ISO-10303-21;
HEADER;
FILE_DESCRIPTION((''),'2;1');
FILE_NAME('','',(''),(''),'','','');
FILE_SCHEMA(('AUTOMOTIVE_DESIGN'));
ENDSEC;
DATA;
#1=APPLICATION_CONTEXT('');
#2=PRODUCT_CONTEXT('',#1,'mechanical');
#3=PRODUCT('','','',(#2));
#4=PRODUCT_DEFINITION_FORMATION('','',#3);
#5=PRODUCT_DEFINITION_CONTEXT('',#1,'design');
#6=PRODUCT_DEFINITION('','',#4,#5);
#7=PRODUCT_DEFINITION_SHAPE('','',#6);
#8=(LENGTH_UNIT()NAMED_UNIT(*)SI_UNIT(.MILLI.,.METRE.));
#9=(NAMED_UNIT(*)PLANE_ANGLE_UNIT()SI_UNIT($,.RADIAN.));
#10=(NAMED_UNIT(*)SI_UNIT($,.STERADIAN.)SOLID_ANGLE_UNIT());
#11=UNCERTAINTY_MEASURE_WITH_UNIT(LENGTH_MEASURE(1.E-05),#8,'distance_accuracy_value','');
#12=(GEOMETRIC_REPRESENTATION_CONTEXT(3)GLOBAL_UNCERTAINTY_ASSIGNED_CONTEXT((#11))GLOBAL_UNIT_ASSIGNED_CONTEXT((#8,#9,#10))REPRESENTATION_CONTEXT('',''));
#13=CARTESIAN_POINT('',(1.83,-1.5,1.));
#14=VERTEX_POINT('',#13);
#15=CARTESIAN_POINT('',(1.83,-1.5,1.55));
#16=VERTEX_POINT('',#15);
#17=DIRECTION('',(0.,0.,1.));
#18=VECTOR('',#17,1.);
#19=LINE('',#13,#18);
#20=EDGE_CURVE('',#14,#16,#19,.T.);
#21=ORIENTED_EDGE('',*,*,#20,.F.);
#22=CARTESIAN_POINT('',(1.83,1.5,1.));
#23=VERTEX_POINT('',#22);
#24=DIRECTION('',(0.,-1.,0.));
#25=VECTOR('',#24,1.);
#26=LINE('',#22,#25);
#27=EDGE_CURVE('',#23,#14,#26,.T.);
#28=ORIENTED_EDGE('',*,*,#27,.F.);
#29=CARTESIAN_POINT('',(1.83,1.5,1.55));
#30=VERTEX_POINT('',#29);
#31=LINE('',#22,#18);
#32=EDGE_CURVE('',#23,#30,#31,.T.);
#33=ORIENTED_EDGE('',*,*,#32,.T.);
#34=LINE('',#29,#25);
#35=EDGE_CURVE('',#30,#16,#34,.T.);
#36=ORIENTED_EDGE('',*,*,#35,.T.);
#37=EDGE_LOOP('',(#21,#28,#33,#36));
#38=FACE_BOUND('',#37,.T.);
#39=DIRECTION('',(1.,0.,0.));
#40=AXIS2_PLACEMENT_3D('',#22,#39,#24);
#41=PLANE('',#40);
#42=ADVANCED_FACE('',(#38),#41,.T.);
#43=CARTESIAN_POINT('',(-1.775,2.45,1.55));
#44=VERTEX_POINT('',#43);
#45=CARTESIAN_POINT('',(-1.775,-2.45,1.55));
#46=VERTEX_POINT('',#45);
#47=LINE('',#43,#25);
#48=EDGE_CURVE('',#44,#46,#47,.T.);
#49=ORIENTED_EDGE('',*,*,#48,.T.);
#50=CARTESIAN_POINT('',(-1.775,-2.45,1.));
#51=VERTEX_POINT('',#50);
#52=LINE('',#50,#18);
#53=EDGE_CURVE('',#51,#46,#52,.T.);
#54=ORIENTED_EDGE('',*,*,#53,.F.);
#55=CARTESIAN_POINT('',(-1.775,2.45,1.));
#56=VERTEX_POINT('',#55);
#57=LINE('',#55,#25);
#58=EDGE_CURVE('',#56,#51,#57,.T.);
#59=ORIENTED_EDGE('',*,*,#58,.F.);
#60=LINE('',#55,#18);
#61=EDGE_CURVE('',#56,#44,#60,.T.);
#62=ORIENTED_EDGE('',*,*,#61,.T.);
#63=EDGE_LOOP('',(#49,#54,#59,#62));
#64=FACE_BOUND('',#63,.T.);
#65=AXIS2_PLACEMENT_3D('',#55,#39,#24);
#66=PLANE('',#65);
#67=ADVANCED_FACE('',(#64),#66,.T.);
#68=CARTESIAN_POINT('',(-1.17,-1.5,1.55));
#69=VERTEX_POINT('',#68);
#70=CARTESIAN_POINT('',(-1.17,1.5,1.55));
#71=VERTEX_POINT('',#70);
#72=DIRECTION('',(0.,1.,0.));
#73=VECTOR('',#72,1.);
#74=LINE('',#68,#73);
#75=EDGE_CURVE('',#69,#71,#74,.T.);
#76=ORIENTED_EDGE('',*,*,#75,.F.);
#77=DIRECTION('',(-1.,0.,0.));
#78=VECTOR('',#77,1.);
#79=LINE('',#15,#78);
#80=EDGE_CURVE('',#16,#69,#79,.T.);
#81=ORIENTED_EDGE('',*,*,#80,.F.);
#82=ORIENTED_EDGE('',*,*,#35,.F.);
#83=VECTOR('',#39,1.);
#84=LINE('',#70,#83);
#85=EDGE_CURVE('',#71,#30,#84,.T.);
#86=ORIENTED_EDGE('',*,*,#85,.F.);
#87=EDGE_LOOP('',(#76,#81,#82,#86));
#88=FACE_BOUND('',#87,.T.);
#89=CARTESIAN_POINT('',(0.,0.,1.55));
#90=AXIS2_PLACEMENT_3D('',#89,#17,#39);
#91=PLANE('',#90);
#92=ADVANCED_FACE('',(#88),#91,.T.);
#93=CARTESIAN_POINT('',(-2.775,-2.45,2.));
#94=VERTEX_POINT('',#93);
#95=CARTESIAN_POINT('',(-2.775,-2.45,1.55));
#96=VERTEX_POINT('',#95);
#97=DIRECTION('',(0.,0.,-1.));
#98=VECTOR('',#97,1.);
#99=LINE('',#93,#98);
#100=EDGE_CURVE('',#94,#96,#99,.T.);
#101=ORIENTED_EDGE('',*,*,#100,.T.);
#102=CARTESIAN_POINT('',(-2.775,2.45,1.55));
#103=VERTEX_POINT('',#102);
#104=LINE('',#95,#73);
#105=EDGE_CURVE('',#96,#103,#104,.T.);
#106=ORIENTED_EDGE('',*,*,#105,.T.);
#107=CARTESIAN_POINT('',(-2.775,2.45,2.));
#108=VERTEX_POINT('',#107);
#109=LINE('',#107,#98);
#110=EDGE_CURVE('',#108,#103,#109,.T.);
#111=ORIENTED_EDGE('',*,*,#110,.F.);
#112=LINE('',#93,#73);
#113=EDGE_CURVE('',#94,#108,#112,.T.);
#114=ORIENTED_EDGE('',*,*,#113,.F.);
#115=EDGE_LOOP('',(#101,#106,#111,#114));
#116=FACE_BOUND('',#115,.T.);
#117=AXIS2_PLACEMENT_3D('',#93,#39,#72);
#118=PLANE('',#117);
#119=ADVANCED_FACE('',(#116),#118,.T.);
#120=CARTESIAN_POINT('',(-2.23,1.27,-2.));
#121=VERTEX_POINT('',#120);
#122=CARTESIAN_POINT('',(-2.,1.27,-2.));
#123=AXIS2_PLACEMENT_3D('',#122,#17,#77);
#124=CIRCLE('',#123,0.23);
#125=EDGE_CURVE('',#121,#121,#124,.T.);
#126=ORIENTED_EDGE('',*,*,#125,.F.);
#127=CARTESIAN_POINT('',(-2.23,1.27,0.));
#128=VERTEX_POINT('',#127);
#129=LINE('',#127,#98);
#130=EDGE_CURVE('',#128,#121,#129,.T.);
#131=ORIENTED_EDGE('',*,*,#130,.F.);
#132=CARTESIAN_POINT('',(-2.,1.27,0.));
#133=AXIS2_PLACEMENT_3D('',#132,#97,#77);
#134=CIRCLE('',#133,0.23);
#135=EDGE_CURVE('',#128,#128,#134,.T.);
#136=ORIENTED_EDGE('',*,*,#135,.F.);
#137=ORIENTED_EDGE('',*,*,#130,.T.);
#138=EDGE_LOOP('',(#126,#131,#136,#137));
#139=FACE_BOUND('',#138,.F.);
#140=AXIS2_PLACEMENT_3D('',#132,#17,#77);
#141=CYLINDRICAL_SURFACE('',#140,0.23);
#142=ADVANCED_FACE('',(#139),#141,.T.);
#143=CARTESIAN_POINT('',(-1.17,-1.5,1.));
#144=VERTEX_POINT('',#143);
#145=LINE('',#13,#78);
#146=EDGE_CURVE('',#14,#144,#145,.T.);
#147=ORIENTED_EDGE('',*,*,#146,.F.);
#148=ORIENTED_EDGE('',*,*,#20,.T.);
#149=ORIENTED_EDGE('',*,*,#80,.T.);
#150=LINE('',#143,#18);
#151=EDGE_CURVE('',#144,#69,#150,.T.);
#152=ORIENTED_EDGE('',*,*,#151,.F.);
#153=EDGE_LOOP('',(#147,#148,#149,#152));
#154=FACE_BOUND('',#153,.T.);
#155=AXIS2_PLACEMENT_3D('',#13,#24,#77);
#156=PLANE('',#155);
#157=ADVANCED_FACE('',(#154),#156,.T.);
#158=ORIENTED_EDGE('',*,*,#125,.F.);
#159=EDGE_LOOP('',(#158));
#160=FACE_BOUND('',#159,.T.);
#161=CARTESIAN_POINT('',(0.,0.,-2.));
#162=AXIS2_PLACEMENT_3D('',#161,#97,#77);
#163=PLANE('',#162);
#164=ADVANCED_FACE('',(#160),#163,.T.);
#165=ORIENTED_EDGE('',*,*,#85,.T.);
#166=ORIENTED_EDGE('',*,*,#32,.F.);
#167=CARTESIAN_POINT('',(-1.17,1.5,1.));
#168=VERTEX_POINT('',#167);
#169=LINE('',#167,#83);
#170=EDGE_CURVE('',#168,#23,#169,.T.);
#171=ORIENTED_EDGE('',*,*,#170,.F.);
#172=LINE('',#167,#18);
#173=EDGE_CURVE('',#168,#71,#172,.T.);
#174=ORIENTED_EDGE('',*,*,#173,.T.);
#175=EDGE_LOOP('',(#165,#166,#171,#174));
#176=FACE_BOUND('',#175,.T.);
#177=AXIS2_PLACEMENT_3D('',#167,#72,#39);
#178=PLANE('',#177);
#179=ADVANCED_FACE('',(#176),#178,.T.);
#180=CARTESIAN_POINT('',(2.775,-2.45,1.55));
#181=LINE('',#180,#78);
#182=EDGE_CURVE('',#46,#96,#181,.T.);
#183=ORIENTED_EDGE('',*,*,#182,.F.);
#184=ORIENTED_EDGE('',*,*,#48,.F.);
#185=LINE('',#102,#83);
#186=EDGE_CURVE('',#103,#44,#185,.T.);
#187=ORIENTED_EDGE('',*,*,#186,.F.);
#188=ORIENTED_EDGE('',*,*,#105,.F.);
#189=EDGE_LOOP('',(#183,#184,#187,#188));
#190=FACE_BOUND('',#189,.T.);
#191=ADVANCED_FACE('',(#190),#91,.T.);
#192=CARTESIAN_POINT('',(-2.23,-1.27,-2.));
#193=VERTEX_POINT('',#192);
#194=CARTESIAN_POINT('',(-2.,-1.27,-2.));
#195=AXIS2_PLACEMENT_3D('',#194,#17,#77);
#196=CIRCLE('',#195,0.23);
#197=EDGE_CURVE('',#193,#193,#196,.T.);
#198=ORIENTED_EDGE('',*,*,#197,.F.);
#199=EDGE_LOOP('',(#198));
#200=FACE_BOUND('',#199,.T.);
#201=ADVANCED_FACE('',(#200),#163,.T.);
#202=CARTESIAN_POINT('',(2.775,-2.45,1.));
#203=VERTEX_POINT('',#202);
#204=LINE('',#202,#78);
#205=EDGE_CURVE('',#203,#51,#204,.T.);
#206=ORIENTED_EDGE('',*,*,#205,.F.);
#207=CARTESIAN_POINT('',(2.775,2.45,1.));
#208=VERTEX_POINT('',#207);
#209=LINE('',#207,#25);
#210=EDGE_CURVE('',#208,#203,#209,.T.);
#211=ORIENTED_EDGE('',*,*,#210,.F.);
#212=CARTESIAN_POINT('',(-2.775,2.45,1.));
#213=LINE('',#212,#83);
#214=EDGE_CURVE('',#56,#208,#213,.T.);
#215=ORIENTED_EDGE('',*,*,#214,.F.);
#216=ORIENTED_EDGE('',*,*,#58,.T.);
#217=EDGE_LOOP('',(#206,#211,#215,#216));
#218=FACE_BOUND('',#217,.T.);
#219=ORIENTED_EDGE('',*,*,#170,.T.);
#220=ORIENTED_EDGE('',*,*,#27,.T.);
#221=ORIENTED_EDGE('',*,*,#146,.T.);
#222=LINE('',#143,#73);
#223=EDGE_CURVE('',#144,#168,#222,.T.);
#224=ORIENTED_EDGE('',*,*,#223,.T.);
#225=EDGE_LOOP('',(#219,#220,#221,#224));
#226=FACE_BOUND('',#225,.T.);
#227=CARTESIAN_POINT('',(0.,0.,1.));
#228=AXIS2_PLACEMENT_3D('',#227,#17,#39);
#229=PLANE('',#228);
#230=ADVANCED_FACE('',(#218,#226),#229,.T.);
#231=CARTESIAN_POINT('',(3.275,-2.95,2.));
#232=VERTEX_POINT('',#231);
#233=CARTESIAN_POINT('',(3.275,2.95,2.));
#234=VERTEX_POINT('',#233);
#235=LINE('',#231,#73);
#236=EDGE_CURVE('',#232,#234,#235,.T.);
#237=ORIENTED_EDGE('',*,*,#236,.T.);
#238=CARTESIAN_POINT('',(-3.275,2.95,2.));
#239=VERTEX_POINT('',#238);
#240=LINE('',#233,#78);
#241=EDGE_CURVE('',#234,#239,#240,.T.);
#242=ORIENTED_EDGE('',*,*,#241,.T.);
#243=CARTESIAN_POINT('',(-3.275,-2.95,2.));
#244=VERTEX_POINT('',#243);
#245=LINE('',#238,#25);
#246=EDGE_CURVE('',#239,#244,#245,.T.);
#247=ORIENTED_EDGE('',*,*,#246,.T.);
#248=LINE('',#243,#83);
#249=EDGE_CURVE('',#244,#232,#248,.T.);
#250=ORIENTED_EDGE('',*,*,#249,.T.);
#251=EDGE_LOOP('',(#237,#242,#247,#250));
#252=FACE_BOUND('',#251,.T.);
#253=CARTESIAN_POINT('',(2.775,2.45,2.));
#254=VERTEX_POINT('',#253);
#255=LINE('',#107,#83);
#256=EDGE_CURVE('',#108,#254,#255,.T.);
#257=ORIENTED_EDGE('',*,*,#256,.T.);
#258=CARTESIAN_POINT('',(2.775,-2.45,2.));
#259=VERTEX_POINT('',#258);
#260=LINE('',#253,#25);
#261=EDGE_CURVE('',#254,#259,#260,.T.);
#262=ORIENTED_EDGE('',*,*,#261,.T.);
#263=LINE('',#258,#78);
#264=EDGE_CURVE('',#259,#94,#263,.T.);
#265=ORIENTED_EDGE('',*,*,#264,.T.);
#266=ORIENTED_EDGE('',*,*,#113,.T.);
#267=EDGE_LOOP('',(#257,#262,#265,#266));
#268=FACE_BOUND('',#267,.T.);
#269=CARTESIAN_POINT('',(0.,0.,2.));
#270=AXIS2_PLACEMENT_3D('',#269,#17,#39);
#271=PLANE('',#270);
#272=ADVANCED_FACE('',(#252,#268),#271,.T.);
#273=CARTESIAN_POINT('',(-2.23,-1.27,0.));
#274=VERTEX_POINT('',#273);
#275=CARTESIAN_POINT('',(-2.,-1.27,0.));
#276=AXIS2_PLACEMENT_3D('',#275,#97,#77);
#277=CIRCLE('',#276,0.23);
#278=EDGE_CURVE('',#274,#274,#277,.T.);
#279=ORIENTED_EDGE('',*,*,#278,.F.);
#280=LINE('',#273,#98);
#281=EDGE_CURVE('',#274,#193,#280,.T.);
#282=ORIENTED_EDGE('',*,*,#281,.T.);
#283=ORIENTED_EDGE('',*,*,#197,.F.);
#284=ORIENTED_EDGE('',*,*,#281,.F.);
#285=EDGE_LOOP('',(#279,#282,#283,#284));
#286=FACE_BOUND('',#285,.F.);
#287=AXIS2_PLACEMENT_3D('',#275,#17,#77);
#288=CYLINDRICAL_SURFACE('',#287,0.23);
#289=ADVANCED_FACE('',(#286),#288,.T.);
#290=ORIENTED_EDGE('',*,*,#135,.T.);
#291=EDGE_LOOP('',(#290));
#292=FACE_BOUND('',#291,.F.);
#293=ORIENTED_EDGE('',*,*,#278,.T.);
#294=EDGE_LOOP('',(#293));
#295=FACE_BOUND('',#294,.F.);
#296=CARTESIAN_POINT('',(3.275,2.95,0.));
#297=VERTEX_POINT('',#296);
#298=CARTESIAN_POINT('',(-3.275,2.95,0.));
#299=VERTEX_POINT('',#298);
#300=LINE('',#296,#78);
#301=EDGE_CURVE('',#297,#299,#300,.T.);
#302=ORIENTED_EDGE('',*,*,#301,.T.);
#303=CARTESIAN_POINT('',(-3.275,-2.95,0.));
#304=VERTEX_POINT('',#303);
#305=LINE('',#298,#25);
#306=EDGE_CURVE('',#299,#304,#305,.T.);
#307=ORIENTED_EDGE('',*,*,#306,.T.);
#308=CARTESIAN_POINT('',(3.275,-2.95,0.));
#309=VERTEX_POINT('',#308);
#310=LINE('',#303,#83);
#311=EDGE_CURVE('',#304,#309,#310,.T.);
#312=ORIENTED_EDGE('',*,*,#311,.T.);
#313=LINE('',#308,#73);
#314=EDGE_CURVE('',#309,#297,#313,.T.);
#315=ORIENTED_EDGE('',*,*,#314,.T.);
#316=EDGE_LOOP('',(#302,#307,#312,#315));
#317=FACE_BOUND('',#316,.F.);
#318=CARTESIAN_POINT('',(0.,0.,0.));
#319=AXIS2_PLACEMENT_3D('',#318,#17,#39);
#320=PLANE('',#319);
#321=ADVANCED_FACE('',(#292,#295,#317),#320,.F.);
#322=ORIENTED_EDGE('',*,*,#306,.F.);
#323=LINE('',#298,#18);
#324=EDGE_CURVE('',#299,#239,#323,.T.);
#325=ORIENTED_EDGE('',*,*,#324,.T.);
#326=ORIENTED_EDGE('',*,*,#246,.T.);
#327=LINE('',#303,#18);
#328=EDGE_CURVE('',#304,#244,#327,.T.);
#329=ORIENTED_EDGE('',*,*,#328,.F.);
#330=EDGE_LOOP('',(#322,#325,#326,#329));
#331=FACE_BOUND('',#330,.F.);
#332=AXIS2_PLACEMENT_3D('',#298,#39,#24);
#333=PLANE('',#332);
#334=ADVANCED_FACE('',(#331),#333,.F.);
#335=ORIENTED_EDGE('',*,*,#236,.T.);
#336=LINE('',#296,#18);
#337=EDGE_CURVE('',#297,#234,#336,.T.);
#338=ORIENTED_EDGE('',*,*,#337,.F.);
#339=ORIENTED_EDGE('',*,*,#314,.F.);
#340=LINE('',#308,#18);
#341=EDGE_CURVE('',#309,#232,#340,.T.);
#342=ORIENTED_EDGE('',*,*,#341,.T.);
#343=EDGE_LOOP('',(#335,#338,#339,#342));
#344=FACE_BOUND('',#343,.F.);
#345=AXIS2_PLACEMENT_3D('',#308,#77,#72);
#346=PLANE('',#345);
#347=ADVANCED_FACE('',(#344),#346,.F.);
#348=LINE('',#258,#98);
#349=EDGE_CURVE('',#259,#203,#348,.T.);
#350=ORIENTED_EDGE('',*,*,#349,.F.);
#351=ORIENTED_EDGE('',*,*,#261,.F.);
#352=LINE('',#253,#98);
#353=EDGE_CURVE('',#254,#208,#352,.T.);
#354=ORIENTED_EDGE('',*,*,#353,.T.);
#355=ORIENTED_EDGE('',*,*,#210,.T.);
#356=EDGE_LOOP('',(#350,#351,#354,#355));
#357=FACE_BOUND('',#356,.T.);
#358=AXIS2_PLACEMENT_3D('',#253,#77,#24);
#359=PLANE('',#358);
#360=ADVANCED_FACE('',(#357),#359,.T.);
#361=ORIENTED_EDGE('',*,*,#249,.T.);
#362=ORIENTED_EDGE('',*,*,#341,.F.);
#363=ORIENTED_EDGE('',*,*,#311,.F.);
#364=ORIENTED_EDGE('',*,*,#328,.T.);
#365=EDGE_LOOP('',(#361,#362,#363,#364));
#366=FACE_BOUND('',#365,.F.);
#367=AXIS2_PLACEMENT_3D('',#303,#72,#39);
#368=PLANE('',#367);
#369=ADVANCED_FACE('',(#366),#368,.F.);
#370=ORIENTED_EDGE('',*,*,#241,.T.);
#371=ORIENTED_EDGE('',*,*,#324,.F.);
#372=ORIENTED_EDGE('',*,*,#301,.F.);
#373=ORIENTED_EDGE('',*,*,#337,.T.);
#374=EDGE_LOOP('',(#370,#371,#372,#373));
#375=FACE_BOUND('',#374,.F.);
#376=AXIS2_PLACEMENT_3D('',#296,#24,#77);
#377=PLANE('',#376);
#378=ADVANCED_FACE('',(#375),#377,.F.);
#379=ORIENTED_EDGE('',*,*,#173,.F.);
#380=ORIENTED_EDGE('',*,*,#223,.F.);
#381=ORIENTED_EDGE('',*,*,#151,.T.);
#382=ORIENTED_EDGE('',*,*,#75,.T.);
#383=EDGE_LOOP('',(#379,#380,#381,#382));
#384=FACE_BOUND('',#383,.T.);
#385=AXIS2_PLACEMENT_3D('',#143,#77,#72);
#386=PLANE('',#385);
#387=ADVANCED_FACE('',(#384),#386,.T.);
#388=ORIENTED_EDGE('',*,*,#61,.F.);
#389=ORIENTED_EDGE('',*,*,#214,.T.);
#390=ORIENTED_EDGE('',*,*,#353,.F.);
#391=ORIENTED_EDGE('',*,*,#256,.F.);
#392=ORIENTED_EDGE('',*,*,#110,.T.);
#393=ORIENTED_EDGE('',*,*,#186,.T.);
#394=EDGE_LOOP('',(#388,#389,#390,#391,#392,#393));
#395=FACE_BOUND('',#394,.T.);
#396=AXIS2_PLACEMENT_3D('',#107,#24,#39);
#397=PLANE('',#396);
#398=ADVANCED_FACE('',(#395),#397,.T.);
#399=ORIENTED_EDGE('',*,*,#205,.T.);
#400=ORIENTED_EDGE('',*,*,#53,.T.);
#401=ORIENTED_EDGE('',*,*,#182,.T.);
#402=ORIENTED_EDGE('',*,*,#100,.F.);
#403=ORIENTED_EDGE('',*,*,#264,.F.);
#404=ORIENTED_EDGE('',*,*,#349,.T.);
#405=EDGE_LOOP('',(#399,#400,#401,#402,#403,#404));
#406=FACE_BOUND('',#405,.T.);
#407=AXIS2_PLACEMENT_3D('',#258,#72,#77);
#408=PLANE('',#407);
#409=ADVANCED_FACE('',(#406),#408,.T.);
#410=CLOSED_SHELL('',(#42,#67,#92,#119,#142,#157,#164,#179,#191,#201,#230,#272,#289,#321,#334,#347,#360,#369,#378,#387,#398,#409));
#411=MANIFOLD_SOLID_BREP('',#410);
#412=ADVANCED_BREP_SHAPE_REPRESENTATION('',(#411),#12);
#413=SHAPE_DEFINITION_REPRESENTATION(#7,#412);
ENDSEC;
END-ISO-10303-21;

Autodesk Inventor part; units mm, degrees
ref_plane "YZ Plane" through (0, 0, 0) normal (1, 0, 0) x (0, 1, 0)
ref_plane "XZ Plane" through (0, 0, 0) normal (0, 1, 0) x (-1, 0, 0)
ref_plane "XY Plane" through (0, 0, 0) normal (0, 0, 1) x (1, 0, 0)
sketch "Sketch1" plane through (0, 0, 0) normal (0, 0, 1) x (1, 0, 0)
  line L0 (-3.275, -2.95) -> (3.275, -2.95)
  line L1 (3.275, -2.95) -> (3.275, 2.95)
  line L2 (3.275, 2.95) -> (-3.275, 2.95)
  line L3 (-3.275, 2.95) -> (-3.275, -2.95)
  line L4 (-3.275, -2.95) -> (3.275, 2.95) construction
  line L5 (3.275, -2.95) -> (-3.275, 2.95) construction
  point P0 (0, 0)
  dimension "d0" = 6.55
  dimension "d1" = 5.9
extrude "Extrusion1" add sketch "Sketch1" along normal blind 2
sketch "Sketch2" plane through (0, 0, 2) normal (0, 0, 1) x (1, 0, 0)
  line L0 (-3.275, -2.95) -> (3.275, -2.95) projected
  line L1 (3.275, -2.95) -> (3.275, 2.95) projected
  line L2 (3.275, 2.95) -> (-3.275, 2.95) projected
  line L3 (-3.275, 2.95) -> (-3.275, -2.95) projected
  line L4 (-2.775, 2.45) -> (2.775, 2.45)
  line L5 (2.775, 2.45) -> (2.775, -2.45)
  line L6 (2.775, -2.45) -> (-2.775, -2.45)
  line L7 (-2.775, -2.45) -> (-2.775, 2.45)
  point P0 (0, 0)
  dimension "d4" = 0.5
extrude "Extrusion2" cut sketch "Sketch2" against normal blind 1 contours L4 L5 L6 L7
sketch "Sketch3" plane through (0, 0, 1) normal (0, 0, 1) x (1, 0, 0)
  line L0 (-2.775, 2.45) -> (2.775, 2.45) projected
  line L1 (-2.775, -2.45) -> (-2.775, 2.45) projected
  line L2 (2.775, -2.45) -> (-2.775, -2.45) projected
  line L3 (2.775, 2.45) -> (2.775, -2.45) projected
  line L4 (-1.17, 1.5) -> (1.83, 1.5)
  line L5 (1.83, 1.5) -> (1.83, -1.5)
  line L6 (1.83, -1.5) -> (-1.17, -1.5)
  line L7 (-1.17, -1.5) -> (-1.17, 1.5)
  line L8 (-1.17, 1.5) -> (1.83, -1.5) construction
  line L9 (1.83, 1.5) -> (-1.17, -1.5) construction
  line L10 (-2.775, 2.45) -> (-1.775, 2.45)
  line L11 (-1.775, 2.45) -> (-1.775, -2.45)
  line L12 (-1.775, -2.45) -> (-2.775, -2.45)
  line L13 (-2.775, -2.45) -> (-2.775, 2.45)
  point P0 (0, 0)
  point P1 (0.33, 0)
  dimension "d7" = 3
  dimension "d8" = 3
  dimension "d9" = 0.33
  dimension "d10" = 0
  dimension "d11" = 1
  dimension "d13" = 0
  dimension "d14" = 0
  dimension "d15" = 0
extrude "Extrusion3" add sketch "Sketch3" along normal blind 0.55 contours L0 L11 L2 L1 | L4 L5 L6 L7
sketch "Sketch4" plane through (0, 0, 0) normal (0, 0, -1) x (-1, 0, 0)
  line L0 (3.275, -2.95) -> (-3.275, -2.95) projected
  line L1 (3.275, 2.95) -> (3.275, -2.95) projected
  line L2 (-3.275, 2.95) -> (3.275, 2.95) projected
  line L3 (-3.275, -2.95) -> (-3.275, 2.95) projected
  circle A0 centre (2, 1.27) radius 0.23
  circle A1 centre (2, -1.27) radius 0.23
  line L4 (1.775, 2.45) -> (1.775, -2.45) projected
  line L5 (2, 1.27) -> (2, -1.27)
  line L6 (0, 0) -> (3.275, 0)
  point P0 (2, 0)
  dimension "d18" = 2
  dimension "d19" = 2
  dimension "d20" = 2.54
  dimension "d21" = 0.46
  dimension "d22" = 0.46
extrude "Extrusion4" add sketch "Sketch4" along normal blind 2 contours A0 L4 | A1 L4 | A0 L4 | L4 A1
equation "\"d0\" = MPPCHeight"
equation "\"d1\" = MPPCWidth"
equation "\"d19\" = d18"
equation "\"d22\" = d21"
equation "\"MPPCWidth\" = 5.9"
equation "\"MPPCHeight\" = 6.55"
properties part number "MPPC" material "ABS Plastic"
